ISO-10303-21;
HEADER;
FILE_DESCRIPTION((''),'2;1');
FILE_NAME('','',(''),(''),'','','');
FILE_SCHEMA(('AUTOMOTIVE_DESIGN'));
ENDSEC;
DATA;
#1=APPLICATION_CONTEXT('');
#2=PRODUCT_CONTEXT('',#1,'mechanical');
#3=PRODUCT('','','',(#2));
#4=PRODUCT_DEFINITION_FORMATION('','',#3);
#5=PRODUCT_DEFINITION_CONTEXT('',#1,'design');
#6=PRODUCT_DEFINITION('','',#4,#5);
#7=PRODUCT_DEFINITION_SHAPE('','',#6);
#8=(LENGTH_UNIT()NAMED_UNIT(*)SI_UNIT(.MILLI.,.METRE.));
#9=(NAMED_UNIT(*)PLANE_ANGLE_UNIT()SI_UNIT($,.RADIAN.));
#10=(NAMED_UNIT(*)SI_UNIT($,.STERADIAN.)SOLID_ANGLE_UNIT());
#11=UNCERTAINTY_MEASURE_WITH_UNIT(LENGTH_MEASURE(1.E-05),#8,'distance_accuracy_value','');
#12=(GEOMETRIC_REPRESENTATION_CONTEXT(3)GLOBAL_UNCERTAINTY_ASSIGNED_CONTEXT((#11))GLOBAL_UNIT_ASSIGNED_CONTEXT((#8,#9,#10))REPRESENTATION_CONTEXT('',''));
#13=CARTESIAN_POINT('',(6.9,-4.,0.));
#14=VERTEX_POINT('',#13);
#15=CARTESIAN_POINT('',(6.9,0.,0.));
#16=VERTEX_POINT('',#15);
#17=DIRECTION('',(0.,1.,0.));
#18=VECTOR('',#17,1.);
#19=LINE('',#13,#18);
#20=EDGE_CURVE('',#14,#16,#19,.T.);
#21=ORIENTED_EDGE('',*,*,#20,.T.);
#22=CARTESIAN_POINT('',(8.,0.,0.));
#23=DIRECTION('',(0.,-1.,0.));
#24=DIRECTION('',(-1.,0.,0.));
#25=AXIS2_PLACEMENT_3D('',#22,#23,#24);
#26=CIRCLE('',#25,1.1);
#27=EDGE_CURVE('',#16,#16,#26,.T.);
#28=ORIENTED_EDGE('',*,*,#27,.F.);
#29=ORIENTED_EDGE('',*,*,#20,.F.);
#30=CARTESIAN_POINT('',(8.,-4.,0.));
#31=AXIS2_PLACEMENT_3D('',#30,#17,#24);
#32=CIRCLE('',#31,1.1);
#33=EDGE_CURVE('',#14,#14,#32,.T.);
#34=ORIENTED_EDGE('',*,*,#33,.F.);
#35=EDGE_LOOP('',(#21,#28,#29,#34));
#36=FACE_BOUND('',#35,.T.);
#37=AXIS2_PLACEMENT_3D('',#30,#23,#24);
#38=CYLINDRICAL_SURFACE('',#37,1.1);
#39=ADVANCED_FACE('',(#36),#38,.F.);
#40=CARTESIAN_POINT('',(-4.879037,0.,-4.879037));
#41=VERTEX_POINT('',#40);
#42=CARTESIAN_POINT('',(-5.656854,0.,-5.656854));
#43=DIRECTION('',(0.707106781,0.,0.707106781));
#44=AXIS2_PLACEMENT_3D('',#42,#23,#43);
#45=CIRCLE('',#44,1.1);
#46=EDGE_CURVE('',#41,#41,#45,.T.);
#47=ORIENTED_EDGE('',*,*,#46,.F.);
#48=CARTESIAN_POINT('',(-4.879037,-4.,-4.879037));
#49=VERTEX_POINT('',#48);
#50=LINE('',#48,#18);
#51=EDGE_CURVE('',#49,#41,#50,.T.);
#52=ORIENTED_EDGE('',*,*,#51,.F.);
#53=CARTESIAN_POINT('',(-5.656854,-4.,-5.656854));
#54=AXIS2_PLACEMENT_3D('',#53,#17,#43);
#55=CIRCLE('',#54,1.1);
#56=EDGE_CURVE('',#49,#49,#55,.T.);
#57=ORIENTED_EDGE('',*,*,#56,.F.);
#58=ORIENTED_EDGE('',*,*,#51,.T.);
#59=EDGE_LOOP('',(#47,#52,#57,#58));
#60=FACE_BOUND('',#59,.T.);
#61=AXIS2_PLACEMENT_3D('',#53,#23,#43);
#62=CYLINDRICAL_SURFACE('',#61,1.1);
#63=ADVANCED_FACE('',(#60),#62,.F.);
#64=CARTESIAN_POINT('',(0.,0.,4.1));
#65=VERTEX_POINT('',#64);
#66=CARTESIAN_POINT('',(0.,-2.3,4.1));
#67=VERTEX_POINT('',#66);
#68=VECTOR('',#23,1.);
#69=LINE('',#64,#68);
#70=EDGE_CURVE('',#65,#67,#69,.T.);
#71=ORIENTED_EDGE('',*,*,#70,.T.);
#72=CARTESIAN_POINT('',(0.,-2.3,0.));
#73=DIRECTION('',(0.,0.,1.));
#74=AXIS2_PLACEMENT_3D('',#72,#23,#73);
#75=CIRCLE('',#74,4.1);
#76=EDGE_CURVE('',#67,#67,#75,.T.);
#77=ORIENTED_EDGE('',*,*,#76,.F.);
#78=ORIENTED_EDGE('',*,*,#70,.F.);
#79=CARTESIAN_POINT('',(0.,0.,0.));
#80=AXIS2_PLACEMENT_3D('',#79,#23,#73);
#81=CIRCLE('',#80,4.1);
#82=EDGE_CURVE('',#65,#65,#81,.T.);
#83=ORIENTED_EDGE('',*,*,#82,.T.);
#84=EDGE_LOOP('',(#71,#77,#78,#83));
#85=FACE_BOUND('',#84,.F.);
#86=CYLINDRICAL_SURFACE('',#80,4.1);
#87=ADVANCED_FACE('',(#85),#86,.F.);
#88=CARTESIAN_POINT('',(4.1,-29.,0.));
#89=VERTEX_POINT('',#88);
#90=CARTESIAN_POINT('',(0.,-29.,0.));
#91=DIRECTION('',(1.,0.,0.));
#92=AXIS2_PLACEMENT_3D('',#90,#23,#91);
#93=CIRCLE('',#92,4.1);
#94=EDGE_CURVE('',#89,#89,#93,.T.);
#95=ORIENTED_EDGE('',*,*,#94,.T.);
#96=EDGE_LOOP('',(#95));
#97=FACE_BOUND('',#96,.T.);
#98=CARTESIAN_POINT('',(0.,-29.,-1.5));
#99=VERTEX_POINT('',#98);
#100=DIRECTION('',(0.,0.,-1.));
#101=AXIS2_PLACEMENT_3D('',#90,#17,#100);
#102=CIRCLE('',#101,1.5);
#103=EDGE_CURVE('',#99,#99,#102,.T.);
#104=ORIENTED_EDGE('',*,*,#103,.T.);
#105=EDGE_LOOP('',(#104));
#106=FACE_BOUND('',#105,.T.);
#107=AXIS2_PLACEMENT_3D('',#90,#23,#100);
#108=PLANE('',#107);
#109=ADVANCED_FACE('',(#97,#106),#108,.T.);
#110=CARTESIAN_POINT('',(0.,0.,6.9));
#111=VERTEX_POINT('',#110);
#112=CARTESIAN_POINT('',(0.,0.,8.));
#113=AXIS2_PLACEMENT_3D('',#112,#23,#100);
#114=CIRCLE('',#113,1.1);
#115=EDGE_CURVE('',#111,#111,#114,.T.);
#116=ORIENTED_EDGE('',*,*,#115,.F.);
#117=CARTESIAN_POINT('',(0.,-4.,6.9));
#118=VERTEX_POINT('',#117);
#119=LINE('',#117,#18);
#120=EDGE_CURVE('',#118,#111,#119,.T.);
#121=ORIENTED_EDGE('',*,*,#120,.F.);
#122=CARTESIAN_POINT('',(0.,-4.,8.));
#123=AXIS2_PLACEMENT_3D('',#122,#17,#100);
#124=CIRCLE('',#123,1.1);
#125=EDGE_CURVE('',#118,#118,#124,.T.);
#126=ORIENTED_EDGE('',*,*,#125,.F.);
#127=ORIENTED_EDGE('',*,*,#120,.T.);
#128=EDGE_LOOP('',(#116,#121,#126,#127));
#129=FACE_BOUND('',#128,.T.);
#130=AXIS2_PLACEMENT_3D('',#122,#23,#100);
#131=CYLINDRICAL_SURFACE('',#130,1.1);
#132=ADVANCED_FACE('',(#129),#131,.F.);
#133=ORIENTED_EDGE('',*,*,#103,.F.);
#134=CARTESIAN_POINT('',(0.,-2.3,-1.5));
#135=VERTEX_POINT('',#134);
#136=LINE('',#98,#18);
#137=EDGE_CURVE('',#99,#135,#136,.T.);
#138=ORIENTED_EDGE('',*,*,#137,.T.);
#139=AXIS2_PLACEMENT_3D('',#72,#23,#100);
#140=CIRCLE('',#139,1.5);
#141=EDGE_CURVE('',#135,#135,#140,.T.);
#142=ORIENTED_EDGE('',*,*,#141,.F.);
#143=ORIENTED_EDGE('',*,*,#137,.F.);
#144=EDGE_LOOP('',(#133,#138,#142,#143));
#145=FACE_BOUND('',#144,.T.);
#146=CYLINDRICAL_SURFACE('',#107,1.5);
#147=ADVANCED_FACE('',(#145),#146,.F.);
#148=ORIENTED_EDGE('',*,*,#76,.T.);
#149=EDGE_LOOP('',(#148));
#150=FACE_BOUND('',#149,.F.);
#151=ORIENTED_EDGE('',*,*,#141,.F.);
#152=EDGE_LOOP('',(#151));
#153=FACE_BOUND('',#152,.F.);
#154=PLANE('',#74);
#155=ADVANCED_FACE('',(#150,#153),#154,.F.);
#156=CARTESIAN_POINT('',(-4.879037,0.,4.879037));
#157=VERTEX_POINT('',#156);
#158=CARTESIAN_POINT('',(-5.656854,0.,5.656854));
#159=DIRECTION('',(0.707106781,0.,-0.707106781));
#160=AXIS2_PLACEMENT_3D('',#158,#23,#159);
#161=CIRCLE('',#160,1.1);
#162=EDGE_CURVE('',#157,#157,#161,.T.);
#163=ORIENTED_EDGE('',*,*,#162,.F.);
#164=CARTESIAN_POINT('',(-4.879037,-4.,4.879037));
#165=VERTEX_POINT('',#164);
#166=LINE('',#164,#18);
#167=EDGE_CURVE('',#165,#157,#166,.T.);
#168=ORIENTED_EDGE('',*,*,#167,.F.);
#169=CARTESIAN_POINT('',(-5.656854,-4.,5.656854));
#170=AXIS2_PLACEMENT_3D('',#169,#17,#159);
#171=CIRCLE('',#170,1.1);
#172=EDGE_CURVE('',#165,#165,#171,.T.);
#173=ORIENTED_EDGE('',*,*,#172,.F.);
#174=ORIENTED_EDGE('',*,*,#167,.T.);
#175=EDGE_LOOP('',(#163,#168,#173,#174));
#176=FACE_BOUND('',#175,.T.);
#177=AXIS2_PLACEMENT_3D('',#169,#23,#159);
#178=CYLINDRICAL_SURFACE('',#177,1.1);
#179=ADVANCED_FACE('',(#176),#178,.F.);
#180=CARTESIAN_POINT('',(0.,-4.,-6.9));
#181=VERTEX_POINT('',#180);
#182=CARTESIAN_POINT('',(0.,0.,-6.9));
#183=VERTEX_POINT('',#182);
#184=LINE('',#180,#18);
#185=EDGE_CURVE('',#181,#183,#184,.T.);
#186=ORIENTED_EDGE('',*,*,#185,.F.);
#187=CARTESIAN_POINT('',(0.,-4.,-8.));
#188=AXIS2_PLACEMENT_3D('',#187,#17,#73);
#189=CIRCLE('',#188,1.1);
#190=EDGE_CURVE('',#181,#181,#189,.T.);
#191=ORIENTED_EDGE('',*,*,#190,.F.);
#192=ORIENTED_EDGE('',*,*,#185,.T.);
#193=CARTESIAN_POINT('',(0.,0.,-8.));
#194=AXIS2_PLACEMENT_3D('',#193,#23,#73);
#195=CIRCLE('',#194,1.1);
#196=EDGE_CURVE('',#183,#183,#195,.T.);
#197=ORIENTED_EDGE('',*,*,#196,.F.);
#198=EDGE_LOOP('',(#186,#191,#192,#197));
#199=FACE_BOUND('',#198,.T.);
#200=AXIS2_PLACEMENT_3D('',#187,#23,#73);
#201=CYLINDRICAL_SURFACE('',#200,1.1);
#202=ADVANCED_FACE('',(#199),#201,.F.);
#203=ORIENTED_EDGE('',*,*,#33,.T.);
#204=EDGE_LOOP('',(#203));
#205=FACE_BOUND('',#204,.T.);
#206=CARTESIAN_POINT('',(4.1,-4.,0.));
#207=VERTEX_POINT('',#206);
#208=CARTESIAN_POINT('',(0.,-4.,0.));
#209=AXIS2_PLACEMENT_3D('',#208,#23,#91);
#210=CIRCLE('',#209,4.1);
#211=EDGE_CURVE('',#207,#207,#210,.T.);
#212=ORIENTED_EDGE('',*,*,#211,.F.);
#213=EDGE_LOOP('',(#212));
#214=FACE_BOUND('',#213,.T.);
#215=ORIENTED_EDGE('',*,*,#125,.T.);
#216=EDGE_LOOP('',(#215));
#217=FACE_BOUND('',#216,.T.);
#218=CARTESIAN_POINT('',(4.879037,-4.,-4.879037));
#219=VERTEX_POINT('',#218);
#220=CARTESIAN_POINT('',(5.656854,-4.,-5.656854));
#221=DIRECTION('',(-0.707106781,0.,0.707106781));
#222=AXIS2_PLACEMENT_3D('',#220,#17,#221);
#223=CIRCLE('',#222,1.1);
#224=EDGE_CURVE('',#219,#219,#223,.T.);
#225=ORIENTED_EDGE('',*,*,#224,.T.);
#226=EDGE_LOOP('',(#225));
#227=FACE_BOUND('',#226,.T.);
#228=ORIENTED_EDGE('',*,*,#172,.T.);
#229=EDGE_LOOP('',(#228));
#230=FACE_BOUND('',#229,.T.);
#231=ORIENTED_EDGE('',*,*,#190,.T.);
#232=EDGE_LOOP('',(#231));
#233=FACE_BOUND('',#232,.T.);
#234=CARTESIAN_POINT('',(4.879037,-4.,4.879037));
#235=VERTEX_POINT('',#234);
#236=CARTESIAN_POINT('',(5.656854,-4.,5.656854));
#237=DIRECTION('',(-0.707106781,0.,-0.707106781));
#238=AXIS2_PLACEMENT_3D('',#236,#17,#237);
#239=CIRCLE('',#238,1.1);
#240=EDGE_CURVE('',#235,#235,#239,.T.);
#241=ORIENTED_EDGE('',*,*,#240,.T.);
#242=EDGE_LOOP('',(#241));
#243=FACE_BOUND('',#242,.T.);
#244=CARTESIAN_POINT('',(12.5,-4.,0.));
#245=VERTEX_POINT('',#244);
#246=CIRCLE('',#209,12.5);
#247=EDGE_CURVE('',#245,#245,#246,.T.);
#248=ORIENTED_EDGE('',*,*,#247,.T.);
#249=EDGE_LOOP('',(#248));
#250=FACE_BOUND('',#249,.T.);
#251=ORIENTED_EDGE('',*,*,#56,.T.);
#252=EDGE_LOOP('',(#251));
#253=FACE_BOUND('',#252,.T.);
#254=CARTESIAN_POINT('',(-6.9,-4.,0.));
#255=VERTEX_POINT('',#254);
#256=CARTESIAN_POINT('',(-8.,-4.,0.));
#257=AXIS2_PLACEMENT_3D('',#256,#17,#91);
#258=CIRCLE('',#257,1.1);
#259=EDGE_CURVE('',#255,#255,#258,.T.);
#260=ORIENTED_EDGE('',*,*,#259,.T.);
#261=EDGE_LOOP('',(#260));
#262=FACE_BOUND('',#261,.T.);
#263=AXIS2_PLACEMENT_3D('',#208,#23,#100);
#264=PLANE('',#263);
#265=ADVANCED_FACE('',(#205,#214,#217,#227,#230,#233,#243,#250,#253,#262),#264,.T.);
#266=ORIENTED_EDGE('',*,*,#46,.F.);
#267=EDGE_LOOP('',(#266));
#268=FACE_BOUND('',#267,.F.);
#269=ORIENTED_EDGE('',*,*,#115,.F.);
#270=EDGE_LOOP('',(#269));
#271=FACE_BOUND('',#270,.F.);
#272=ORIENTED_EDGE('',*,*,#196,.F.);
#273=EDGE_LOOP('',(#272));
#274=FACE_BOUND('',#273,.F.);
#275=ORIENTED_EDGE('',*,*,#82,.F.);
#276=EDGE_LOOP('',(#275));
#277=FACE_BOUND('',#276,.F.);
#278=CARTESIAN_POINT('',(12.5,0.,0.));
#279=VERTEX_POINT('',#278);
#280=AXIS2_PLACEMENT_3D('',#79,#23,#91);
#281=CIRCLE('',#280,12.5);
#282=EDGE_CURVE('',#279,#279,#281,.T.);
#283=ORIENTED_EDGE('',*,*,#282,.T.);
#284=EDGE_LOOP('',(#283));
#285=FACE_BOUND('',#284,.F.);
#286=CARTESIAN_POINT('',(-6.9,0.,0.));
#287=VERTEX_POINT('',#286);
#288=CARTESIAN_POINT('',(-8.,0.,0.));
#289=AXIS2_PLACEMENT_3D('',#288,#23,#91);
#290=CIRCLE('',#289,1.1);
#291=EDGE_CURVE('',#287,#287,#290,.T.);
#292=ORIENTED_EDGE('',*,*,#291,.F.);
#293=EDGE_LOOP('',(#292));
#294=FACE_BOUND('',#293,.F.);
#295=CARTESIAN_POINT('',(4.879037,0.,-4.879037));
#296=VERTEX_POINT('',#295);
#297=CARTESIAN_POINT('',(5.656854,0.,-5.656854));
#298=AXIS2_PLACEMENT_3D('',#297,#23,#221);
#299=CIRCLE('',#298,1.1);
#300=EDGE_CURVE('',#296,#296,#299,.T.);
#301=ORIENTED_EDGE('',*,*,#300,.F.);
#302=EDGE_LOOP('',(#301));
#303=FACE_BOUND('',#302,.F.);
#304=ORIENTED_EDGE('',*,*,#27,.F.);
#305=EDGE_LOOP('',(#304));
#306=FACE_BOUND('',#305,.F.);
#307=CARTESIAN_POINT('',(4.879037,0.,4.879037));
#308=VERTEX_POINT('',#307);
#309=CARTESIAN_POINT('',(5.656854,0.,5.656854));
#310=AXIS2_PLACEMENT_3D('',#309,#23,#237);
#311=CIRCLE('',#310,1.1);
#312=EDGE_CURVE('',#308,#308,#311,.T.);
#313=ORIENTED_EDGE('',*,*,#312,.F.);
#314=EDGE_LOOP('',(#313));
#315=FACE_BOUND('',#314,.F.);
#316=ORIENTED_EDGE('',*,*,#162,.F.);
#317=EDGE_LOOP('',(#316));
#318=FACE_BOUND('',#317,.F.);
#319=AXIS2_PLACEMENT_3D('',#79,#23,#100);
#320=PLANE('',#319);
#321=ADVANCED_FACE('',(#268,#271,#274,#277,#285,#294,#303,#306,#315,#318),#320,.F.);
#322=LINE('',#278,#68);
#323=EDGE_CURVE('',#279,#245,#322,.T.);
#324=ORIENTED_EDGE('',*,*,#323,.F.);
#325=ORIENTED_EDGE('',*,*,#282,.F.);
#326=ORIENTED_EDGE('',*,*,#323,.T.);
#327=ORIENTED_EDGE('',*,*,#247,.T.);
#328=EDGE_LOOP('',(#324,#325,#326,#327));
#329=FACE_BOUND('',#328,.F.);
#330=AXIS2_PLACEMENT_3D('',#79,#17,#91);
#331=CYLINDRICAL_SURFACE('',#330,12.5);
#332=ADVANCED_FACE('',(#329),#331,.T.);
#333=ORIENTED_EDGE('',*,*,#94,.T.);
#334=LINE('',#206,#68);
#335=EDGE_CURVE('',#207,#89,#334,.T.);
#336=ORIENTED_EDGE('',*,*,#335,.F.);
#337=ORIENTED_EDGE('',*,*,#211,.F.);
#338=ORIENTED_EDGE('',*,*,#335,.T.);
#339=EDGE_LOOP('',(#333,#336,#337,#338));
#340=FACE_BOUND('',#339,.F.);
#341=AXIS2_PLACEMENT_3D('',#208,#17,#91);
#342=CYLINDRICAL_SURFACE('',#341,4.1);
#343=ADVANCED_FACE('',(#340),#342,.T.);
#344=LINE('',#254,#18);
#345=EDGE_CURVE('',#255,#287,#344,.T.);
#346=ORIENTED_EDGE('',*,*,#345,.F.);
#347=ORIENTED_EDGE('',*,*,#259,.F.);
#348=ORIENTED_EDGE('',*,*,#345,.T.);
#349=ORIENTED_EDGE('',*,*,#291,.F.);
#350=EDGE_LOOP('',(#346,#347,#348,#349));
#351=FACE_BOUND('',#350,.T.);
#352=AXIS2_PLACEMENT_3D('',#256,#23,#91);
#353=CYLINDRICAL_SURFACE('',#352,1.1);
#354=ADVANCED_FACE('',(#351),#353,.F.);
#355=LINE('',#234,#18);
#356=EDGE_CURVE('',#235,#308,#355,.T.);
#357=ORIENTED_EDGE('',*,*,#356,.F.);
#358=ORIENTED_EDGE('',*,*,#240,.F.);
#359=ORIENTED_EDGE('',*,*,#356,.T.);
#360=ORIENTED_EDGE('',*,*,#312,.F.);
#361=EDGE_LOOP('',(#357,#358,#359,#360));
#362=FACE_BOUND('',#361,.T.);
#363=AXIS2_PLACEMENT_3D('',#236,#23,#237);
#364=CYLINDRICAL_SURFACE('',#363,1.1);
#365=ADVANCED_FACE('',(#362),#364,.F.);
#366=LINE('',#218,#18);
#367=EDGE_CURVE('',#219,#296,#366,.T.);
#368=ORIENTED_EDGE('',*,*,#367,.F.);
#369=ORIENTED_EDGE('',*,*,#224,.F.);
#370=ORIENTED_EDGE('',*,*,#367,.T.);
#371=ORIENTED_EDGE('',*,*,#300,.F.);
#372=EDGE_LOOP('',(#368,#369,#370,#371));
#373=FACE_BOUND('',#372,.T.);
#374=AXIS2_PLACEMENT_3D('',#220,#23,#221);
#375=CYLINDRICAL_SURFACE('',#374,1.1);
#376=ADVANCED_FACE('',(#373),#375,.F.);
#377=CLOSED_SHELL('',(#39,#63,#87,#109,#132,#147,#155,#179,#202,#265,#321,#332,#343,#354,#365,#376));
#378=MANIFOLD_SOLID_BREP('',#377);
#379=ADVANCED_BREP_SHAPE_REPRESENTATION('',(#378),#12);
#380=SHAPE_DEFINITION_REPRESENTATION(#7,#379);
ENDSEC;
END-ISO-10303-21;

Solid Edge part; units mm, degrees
sketch "Sketch1" plane through (0, 0, 0) normal (0, -1, 0) x (1, 0, 0)
  circle A0 centre (0, 0) radius 12.5
extrude "Protrusion1" add sketch "Sketch1" along normal blind 4
hole "Bohrung_1" at (0, -4, 8) direction (0, 1, 0) diameter 2.2 end through all
pattern_circular "Pattern1" count 8 over 360 about axis through (0, -4, 0) along (0, -1, 0) of "Bohrung_1"
sketch "Sketch2" plane through (0, -4, 0) normal (0, -1, 0) x (1, 0, 0)
  circle A0 centre (0, 0) radius 4.1
extrude "Extrusionsausprägung_2" add sketch "Sketch2" along normal blind 25
hole "Bohrung_2" at (0, -29, 0) direction (0, 1, 0) diameter 3 end through all
hole "Bohrung_3" at (0, 0, 0) direction (0, -1, 0) diameter 8.2 depth 2.3
